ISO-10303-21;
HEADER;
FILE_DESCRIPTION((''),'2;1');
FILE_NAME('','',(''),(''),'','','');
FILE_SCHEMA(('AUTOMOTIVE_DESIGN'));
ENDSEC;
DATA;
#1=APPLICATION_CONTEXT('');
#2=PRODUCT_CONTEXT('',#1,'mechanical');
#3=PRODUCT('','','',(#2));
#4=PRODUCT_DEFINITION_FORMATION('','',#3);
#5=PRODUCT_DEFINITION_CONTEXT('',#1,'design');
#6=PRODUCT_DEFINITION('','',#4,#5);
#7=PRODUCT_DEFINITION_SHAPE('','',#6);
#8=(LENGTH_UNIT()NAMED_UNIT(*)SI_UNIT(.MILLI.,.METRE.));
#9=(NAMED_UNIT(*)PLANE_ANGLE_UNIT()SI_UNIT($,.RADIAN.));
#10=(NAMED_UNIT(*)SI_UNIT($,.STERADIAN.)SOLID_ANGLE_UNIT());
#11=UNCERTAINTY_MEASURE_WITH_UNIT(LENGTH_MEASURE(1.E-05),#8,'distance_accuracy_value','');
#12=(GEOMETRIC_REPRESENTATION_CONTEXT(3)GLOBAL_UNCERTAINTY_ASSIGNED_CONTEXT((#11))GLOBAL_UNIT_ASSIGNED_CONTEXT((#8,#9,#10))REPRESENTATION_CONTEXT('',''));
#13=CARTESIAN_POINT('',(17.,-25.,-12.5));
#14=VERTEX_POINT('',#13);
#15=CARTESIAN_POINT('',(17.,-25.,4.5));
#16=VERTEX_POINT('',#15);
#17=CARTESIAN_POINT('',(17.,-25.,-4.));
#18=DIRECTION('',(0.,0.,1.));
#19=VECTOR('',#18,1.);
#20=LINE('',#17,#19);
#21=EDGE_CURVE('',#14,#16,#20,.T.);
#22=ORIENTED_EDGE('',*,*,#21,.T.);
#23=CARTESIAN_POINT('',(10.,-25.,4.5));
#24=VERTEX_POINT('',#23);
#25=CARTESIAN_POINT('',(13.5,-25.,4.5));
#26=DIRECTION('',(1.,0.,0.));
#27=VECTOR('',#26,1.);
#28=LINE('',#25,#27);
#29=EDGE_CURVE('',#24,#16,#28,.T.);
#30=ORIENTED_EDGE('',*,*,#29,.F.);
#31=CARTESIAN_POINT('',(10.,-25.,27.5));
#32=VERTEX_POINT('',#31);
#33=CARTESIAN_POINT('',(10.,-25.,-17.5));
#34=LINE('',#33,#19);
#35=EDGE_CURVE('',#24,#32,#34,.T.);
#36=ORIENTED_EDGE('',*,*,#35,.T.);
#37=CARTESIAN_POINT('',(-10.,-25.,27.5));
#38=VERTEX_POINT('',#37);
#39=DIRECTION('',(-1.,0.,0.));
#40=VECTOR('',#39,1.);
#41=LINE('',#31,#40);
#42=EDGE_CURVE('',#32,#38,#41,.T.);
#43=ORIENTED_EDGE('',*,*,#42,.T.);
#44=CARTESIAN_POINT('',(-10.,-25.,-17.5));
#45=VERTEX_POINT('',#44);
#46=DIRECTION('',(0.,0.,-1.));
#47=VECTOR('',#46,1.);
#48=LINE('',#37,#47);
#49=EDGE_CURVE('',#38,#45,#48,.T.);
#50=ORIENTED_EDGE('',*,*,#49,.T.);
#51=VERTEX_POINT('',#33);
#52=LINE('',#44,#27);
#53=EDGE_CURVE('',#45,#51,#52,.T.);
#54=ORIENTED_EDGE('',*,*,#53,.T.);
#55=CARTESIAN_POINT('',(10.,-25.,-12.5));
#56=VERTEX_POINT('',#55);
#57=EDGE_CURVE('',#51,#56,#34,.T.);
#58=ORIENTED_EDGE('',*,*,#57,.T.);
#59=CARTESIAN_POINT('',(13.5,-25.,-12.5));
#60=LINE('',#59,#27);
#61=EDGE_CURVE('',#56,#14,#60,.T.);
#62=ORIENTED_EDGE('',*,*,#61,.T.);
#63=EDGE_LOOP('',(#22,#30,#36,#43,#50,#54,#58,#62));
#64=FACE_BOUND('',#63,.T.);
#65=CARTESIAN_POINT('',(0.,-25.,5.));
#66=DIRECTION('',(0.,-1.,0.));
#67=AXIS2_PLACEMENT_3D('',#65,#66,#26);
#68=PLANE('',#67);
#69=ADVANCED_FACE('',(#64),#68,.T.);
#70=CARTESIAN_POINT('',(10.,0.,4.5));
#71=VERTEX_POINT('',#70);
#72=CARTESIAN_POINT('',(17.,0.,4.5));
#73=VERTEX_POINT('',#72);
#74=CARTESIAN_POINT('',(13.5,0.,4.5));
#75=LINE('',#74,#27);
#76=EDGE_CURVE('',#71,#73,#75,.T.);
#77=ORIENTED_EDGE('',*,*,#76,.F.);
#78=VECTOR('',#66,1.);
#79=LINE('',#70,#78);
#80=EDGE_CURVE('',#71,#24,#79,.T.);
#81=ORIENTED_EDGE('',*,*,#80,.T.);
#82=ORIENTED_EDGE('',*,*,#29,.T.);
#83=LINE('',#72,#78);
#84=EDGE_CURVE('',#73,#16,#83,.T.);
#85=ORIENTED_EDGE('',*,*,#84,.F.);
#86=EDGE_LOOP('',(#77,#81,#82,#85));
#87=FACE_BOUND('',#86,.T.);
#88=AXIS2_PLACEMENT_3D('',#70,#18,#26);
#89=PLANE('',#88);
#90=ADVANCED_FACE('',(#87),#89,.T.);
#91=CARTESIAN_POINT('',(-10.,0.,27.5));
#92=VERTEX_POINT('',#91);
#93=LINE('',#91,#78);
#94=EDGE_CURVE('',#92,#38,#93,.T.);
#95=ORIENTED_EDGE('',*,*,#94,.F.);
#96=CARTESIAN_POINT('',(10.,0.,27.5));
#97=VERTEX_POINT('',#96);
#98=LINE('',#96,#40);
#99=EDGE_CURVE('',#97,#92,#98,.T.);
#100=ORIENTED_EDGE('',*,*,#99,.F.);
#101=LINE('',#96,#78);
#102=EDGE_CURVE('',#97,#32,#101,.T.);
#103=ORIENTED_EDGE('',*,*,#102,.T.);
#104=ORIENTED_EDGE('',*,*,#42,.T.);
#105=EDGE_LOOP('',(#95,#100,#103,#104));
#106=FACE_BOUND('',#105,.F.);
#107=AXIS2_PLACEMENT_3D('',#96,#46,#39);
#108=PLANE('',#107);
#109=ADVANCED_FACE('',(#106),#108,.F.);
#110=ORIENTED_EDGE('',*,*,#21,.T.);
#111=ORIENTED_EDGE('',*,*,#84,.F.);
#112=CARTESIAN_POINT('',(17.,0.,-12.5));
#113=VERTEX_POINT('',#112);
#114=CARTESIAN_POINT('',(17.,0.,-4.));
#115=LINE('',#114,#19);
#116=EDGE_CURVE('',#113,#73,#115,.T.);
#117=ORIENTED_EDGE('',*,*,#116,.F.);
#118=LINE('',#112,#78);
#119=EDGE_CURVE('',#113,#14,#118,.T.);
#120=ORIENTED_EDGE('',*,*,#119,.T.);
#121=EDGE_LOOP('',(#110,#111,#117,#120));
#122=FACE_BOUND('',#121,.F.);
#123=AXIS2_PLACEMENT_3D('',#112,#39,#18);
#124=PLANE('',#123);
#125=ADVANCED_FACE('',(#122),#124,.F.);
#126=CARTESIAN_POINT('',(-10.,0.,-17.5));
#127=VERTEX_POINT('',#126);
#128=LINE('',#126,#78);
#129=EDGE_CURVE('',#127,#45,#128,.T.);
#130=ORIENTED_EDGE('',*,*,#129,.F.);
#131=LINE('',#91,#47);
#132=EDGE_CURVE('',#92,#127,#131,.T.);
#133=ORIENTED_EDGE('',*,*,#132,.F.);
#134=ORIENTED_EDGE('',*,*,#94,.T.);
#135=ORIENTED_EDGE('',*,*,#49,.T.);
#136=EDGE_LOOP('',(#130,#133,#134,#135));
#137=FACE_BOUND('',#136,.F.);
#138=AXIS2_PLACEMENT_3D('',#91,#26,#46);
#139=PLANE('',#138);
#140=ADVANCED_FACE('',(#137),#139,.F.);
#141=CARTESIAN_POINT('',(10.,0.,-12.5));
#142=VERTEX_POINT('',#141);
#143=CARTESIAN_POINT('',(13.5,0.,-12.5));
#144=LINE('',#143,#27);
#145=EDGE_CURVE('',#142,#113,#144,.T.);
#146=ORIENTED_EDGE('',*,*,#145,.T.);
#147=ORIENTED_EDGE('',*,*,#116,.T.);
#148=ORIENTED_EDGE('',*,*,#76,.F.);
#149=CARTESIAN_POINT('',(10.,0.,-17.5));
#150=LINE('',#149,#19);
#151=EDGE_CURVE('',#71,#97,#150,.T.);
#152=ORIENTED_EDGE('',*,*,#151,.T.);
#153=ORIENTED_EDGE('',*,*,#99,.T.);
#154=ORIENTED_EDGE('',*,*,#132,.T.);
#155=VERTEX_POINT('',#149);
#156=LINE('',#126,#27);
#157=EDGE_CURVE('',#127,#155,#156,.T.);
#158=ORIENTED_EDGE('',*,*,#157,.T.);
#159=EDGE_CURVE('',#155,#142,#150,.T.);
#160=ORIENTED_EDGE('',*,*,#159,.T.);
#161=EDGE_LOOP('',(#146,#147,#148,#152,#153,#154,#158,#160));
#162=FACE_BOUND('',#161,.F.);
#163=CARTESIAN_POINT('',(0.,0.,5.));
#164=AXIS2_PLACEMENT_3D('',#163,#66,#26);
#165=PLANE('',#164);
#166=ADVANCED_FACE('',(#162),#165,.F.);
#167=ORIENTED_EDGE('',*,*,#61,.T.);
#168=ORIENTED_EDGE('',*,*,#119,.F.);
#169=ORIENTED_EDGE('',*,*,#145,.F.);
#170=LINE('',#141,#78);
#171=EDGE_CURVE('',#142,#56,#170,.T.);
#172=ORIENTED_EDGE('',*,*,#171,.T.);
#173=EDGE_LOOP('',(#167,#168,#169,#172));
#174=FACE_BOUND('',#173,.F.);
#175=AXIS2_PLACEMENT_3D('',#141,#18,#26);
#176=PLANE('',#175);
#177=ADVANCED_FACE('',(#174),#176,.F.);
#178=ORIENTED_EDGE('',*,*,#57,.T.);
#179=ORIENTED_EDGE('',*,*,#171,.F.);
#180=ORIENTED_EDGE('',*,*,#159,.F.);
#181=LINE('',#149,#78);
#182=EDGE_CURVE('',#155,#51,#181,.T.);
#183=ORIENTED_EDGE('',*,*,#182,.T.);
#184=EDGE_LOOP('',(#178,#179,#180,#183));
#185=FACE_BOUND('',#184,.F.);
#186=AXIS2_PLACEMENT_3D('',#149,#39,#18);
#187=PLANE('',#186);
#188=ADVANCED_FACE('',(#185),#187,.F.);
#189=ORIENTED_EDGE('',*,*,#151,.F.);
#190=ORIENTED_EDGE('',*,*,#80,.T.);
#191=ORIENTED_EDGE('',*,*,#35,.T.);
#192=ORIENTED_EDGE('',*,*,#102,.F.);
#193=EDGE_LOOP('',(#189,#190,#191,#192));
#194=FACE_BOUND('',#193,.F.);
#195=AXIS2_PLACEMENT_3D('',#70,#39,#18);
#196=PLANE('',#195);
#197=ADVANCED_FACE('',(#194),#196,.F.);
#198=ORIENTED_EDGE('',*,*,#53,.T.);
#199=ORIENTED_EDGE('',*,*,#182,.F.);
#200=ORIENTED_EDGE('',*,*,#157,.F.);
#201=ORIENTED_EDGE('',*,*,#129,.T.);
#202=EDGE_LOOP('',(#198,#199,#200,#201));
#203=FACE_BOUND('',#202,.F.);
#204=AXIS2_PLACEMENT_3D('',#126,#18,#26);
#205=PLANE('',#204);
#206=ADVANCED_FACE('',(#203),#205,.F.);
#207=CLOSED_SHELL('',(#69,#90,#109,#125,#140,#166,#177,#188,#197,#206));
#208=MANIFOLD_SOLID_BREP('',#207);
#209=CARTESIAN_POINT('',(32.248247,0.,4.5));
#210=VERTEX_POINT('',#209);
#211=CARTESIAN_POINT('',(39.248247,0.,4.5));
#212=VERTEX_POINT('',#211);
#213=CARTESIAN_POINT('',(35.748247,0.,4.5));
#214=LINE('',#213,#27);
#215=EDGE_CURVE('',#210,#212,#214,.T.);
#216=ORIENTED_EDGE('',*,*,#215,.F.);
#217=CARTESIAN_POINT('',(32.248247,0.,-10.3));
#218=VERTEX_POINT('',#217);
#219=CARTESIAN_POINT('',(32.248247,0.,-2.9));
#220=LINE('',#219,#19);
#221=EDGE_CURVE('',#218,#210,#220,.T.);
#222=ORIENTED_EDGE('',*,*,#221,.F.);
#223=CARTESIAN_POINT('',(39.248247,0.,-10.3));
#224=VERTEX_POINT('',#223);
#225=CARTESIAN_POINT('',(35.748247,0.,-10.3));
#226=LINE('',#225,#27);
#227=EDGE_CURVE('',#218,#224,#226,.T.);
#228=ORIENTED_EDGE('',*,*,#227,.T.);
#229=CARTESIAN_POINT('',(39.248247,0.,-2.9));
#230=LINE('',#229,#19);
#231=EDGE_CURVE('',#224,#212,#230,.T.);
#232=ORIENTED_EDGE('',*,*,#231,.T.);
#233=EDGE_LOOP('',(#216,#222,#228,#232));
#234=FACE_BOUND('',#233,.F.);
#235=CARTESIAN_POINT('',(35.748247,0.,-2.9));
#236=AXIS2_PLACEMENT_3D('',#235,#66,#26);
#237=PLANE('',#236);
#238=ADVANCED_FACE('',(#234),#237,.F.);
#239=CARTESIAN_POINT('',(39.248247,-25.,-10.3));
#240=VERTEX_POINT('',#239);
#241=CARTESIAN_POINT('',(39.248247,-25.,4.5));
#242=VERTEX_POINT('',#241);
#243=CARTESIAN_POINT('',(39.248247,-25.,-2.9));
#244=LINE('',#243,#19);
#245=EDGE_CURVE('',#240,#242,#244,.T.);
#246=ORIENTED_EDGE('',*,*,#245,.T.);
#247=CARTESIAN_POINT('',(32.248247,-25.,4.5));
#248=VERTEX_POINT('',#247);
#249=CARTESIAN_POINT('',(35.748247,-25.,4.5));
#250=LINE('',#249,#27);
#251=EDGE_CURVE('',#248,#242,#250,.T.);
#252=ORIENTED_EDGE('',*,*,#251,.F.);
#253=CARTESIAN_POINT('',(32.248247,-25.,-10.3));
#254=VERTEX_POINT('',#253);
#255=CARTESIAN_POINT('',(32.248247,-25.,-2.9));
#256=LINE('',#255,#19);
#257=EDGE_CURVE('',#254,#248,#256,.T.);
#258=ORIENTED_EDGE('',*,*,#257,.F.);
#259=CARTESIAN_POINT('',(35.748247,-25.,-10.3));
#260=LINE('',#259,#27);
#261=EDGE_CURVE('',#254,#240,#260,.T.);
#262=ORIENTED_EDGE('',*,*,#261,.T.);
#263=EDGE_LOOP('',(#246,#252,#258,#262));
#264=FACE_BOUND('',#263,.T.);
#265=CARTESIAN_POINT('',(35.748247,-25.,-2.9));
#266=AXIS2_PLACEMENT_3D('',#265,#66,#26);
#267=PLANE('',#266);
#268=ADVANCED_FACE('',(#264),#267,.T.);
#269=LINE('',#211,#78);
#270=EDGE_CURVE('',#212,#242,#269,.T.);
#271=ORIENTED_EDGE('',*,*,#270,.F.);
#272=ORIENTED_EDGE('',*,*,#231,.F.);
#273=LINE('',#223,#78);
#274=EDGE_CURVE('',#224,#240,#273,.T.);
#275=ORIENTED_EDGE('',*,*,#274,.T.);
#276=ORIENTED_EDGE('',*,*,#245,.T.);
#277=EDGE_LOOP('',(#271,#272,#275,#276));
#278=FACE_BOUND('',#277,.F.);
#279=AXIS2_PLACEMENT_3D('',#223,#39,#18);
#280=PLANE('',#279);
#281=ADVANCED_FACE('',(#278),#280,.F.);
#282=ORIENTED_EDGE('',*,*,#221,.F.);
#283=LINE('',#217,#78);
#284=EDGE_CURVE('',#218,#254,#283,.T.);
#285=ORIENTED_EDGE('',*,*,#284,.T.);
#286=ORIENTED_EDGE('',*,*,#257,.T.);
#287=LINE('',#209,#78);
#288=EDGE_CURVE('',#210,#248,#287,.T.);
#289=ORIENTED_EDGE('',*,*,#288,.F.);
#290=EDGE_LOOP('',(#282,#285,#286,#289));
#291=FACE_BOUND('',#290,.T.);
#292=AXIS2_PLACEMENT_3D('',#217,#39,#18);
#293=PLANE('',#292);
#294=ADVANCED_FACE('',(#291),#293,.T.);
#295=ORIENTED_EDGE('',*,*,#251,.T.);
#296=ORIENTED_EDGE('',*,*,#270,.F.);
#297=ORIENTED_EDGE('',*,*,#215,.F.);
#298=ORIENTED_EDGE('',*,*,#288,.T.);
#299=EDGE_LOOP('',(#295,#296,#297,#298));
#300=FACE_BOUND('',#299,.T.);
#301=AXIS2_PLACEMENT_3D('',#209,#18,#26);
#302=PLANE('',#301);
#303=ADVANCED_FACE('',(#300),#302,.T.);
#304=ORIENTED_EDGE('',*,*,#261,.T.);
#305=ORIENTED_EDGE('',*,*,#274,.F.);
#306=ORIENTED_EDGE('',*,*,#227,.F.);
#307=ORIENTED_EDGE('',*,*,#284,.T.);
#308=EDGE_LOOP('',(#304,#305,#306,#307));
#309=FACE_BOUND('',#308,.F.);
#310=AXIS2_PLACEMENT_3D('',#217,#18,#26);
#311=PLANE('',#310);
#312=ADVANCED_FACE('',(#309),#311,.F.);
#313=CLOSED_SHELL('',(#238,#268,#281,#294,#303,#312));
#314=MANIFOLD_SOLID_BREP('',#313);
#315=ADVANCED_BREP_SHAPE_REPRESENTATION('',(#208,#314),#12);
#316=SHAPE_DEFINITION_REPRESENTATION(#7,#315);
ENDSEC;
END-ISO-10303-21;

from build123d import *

# Parameters (mm, degrees)
F0_W     = 7
F0_H     = 17
F0_H_2   = 14.8
F1_DEPTH = 25


with BuildPart() as f1:
    # F0 (on Front) → F1 (new body)
    with BuildSketch(Plane.XZ):
        Polygon((-10, 17.5), (-10, -17.5), (10, -17.5), (10, -12.5), (10, 4.5), (10, 17.5), (10, 27.5), (-10, 27.5), align=None)
        with Locations((13.5, -4)):
            Rectangle(F0_W, F0_H)
        with Locations((35.748247, -2.9)):
            Rectangle(F0_W, F0_H_2)
    extrude(amount=F1_DEPTH)


solid = f1.part
